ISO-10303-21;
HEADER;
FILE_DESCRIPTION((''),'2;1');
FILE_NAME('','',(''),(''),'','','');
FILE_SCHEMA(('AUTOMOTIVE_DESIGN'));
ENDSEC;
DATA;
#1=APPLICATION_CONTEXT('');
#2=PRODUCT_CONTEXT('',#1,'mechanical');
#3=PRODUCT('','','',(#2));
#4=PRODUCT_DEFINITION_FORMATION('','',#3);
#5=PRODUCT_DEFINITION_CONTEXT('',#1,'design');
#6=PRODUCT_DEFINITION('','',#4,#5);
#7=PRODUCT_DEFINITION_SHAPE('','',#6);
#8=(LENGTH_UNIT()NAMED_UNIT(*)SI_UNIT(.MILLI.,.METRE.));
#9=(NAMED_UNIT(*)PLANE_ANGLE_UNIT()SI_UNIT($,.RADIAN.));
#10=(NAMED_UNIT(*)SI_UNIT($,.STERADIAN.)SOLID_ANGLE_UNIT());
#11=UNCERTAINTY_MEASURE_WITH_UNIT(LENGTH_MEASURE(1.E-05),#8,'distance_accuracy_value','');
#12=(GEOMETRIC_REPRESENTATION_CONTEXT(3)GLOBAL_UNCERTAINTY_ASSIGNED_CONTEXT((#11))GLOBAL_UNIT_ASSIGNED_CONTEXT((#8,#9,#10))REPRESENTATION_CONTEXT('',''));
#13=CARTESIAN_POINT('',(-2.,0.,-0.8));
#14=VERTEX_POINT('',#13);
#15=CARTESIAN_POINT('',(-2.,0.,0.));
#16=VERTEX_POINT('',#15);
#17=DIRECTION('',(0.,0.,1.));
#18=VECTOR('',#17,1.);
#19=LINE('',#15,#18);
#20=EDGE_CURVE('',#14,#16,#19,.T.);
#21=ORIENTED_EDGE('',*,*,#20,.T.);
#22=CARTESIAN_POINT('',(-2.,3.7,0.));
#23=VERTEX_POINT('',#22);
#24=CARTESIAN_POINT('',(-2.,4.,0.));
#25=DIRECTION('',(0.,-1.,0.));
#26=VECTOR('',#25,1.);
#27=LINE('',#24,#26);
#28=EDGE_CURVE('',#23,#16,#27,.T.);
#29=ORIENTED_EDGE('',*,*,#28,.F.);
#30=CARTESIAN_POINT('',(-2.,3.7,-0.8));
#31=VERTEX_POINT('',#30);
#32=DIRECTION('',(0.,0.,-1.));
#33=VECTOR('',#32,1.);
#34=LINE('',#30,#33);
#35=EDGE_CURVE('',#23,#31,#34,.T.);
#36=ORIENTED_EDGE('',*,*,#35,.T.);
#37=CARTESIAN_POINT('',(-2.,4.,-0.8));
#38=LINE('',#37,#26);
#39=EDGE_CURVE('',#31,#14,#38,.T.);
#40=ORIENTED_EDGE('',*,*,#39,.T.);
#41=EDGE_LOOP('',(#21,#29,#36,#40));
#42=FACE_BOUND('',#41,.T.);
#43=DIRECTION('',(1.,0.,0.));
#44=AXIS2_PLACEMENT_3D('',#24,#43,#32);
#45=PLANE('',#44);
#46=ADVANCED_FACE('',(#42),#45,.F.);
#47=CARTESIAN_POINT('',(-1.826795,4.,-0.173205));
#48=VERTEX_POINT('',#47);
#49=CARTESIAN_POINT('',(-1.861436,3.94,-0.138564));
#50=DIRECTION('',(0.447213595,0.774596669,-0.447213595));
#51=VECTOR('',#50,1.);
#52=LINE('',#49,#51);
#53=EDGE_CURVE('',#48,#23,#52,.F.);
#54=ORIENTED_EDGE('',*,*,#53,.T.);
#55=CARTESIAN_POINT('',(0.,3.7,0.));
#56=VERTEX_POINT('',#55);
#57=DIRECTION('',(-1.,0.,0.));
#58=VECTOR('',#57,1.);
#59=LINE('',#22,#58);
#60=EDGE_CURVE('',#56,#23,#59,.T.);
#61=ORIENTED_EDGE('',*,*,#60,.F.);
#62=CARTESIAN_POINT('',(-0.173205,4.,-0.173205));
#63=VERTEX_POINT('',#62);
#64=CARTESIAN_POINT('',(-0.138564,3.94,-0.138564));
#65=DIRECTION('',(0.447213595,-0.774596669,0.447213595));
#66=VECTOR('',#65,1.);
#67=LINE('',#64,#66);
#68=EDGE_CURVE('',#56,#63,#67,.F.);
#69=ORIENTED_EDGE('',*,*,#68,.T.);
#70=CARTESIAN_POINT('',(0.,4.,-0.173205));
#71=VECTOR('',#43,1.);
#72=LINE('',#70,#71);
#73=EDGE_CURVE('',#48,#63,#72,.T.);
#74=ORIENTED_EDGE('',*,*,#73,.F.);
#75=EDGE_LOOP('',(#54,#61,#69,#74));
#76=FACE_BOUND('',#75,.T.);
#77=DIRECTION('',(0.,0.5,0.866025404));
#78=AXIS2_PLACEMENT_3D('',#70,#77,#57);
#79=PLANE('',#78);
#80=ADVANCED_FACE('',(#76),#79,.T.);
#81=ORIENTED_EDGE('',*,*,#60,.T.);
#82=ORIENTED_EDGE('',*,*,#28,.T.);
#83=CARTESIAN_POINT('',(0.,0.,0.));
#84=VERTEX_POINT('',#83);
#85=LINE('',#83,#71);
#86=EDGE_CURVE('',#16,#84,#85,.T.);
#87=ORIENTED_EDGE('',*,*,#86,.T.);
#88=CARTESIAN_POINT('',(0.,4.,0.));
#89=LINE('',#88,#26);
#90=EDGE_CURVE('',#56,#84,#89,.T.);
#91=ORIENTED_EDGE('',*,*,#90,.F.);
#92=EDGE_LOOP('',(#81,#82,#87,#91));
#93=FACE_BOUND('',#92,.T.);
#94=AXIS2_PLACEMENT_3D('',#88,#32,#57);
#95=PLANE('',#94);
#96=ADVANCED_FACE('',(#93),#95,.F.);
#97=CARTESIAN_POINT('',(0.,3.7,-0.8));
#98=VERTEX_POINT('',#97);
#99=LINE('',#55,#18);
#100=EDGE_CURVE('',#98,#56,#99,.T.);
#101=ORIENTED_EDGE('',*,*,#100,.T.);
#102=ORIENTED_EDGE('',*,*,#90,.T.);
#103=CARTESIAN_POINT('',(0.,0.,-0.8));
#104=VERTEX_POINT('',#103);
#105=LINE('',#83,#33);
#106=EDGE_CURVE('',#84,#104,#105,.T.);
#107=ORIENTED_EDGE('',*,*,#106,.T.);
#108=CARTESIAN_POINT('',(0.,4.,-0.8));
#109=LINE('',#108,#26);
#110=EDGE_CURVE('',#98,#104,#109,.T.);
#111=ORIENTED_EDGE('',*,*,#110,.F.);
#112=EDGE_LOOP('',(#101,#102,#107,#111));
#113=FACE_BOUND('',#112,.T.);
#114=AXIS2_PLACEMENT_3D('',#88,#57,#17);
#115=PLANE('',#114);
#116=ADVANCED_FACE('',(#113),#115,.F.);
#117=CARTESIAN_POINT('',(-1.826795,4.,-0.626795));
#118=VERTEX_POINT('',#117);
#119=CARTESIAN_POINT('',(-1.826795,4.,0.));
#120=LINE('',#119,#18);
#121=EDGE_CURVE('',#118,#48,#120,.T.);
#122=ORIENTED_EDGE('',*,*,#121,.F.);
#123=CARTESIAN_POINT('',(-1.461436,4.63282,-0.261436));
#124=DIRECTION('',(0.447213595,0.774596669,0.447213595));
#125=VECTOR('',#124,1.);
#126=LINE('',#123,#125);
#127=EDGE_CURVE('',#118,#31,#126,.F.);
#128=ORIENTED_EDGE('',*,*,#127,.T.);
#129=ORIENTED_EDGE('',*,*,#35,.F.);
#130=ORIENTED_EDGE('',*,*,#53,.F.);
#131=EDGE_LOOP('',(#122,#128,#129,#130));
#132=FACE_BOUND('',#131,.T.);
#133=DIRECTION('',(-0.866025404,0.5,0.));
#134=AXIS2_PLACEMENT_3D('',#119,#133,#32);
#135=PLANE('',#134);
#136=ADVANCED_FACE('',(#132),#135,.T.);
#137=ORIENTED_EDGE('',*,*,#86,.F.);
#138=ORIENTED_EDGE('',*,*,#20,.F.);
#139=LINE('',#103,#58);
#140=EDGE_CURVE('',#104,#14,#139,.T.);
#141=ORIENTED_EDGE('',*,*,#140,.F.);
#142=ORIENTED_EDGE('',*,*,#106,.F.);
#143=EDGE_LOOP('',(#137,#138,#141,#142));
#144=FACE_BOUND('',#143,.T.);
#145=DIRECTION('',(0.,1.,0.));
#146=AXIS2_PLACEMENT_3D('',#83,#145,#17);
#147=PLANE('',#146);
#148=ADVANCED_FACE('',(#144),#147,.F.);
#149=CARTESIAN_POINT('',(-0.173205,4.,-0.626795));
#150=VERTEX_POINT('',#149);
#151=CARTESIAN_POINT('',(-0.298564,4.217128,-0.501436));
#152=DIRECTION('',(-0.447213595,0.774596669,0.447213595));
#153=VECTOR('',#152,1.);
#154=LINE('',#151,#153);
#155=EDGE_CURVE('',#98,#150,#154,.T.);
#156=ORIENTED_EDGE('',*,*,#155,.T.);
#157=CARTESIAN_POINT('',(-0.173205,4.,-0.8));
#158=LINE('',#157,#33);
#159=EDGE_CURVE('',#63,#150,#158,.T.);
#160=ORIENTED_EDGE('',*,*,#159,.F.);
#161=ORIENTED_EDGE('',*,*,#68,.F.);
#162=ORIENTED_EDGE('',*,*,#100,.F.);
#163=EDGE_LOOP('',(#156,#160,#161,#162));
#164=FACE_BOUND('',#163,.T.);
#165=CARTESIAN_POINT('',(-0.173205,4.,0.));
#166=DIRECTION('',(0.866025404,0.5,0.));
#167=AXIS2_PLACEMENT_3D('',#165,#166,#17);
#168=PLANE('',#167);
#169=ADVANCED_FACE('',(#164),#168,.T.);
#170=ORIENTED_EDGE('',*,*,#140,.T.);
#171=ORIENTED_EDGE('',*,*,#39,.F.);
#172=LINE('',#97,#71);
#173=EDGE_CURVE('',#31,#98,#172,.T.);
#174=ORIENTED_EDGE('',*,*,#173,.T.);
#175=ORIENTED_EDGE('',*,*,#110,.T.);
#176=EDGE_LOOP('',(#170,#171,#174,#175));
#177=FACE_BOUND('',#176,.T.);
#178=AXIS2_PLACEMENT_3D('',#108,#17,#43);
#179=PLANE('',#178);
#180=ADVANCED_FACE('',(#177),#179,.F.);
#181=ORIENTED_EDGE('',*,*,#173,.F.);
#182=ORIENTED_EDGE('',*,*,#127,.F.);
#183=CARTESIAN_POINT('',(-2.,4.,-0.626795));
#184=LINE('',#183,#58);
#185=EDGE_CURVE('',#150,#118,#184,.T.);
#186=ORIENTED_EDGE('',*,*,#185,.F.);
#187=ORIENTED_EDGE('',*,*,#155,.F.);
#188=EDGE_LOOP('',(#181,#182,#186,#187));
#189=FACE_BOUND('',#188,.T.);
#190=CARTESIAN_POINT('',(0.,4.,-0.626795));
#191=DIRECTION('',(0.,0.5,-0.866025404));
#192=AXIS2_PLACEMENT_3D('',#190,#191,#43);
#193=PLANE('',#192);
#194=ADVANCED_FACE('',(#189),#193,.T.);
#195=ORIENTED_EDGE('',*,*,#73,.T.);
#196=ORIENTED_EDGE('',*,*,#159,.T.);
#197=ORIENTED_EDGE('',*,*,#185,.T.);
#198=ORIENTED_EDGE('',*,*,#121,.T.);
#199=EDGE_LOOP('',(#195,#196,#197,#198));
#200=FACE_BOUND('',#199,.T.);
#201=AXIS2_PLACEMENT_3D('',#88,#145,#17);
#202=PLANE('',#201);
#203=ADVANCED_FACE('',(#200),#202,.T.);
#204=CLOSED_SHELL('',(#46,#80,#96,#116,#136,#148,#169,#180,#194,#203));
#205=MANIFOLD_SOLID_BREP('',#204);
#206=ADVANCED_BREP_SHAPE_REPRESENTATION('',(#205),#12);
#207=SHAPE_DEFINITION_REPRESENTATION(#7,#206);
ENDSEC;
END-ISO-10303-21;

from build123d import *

# Parameters (mm, degrees)
SKETCH1_W             = 2
SKETCH1_H             = 0.8
BOSS_EXTRUDE1_DEPTH   = 4
CHAMFER1_SIZE         = 0.3
CHAMFER1_SIZE2        = 0.173205081
CHAMFER1_PART_2_SIZE  = 0.3
CHAMFER1_PART_2_SIZE2 = 0.173205081
CHAMFER1_PART_3_SIZE  = 0.3
CHAMFER1_PART_3_SIZE2 = 0.173205081
CHAMFER1_PART_4_SIZE  = 0.3
CHAMFER1_PART_4_SIZE2 = 0.173205081


with BuildPart() as part:
    # Sketch1 → Boss-Extrude1 (new body)
    with BuildSketch(Plane(origin=(0, 0, 0), x_dir=(-1, 0, 0), z_dir=(0, 1, 0))):
        with Locations((1, -0.4)):
            Rectangle(SKETCH1_W, SKETCH1_H)
    extrude(amount=BOSS_EXTRUDE1_DEPTH)

    # Chamfer1
    chamfer1_edges = [part.edges().sort_by_distance(p)[0] for p in [
        (-2, 4, -0.4),
    ]]
    chamfer1_side = [part.faces().sort_by_distance(p)[0] for p in [
        (-2, 2, -0.4),
    ]]
    chamfer(chamfer1_edges, length=CHAMFER1_SIZE, length2=CHAMFER1_SIZE2, reference=chamfer1_side[0])

    # Chamfer1 part 2
    chamfer1_part_2_edges = [part.edges().sort_by_distance(p)[0] for p in [
        (-1, 4, 0),
    ]]
    chamfer1_part_2_side = [part.faces().sort_by_distance(p)[0] for p in [
        (-1, 2, 0),
    ]]
    chamfer(chamfer1_part_2_edges, length=CHAMFER1_PART_2_SIZE, length2=CHAMFER1_PART_2_SIZE2, reference=chamfer1_part_2_side[0])

    # Chamfer1 part 3
    chamfer1_part_3_edges = [part.edges().sort_by_distance(p)[0] for p in [
        (0, 4, -0.4),
    ]]
    chamfer1_part_3_side = [part.faces().sort_by_distance(p)[0] for p in [
        (0, 2, -0.4),
    ]]
    chamfer(chamfer1_part_3_edges, length=CHAMFER1_PART_3_SIZE, length2=CHAMFER1_PART_3_SIZE2, reference=chamfer1_part_3_side[0])

    # Chamfer1 part 4
    chamfer1_part_4_edges = [part.edges().sort_by_distance(p)[0] for p in [
        (-1, 4, -0.8),
    ]]
    chamfer1_part_4_side = [part.faces().sort_by_distance(p)[0] for p in [
        (-1, 2, -0.8),
    ]]
    chamfer(chamfer1_part_4_edges, length=CHAMFER1_PART_4_SIZE, length2=CHAMFER1_PART_4_SIZE2, reference=chamfer1_part_4_side[0])


solid = part.part
